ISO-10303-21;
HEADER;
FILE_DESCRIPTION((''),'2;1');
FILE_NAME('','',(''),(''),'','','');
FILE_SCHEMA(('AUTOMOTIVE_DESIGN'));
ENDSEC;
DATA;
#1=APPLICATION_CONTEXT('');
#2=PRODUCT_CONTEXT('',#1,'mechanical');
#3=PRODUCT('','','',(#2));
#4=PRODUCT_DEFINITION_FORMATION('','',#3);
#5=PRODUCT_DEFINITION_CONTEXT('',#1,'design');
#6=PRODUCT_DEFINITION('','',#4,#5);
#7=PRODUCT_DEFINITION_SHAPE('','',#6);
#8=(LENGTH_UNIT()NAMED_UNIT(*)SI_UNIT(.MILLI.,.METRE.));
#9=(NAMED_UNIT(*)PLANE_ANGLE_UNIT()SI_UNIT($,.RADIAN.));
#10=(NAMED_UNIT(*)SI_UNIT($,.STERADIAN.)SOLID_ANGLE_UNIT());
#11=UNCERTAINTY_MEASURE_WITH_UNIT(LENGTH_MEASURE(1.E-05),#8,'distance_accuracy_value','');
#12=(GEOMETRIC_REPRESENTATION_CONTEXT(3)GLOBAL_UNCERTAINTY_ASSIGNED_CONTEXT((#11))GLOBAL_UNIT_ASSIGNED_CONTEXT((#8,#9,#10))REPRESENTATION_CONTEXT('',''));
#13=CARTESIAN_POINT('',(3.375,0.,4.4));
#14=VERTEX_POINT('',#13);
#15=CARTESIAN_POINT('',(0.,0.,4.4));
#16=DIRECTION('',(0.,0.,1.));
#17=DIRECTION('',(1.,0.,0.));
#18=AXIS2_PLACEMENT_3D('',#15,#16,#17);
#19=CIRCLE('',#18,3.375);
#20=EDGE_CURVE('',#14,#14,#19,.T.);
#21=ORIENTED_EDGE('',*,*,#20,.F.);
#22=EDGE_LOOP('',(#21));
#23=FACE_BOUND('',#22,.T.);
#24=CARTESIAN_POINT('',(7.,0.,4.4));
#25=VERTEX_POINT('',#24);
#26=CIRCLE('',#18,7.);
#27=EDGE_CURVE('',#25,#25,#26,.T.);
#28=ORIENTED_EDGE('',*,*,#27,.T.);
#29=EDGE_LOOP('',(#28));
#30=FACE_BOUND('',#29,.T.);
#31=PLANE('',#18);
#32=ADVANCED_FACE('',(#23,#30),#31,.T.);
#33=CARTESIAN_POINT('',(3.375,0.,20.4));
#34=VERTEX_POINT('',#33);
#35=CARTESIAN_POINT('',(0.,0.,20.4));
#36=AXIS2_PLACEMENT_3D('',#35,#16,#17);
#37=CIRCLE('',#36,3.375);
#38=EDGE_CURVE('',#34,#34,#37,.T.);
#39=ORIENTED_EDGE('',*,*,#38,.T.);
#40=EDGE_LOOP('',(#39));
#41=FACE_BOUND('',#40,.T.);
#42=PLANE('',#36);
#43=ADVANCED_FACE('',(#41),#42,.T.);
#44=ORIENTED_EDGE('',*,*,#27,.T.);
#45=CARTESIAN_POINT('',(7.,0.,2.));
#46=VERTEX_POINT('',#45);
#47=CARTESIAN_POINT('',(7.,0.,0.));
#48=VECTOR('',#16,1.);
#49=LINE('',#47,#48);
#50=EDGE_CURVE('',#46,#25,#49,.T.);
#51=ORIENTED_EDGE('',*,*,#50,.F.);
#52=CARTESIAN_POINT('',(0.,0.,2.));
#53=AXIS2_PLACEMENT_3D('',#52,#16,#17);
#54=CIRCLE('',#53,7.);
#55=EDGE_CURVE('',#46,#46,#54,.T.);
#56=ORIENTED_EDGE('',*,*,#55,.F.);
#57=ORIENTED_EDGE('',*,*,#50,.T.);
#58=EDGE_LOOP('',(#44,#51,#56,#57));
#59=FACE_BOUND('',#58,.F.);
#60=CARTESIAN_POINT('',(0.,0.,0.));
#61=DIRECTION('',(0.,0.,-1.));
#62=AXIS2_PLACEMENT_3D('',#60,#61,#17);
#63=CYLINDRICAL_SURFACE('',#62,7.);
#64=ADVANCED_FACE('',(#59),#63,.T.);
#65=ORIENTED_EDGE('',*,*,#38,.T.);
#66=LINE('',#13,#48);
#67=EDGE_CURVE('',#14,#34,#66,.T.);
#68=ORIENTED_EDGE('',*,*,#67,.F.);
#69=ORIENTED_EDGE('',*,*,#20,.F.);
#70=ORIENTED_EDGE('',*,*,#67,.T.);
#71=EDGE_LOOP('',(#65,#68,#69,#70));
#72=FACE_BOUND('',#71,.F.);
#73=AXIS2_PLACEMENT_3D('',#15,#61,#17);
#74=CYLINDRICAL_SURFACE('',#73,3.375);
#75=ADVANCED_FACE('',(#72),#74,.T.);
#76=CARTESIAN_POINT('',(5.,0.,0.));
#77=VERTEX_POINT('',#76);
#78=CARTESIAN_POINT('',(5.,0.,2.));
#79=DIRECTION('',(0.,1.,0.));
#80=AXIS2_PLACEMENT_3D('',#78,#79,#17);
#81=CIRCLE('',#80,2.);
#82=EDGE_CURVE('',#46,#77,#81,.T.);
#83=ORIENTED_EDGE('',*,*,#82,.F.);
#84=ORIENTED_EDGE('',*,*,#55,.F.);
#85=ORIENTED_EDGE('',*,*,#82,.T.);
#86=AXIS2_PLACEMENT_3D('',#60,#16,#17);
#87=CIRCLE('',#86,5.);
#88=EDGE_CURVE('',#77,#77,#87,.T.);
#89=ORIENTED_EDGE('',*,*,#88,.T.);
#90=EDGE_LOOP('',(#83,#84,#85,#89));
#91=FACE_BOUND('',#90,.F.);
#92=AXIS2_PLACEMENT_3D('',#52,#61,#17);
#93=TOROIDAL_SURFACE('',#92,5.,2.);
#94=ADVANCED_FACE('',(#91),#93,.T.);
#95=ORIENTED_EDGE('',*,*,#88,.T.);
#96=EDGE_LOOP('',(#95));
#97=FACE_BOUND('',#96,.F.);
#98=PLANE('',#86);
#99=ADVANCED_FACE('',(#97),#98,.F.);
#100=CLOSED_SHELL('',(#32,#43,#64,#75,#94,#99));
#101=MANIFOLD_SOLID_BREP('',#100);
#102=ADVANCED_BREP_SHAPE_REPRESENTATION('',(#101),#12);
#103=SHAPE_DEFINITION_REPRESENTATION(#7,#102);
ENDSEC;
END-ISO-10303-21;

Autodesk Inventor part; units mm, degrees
ref_plane "YZ Plane" through (0, 0, 0) normal (1, 0, 0) x (0, 1, 0)
ref_plane "XZ Plane" through (0, 0, 0) normal (0, 1, 0) x (-1, 0, 0)
ref_plane "XY Plane" through (0, 0, 0) normal (0, 0, 1) x (1, 0, 0)
sketch "Boceto1" plane through (0, 0, 0) normal (0, 0, 1) x (1, 0, 0)
  circle A0 centre (0, 0) radius 7
  dimension "d0" = 14
extrude "Extrusión1" add sketch "Boceto1" along normal blind 4.4
fillet "Empalme1" radius 2 1 edges at (-7, 0, 0)
sketch "Boceto2" plane through (0, 0, 4.4) normal (0, 0, 1) x (1, 0, 0)
  circle A0 centre (0, 0) radius 3.375
  dimension "d5" = 6.75
extrude "Extrusión2" add sketch "Boceto2" along normal blind 16
properties part number "Socket" material "Aluminio 6061"
